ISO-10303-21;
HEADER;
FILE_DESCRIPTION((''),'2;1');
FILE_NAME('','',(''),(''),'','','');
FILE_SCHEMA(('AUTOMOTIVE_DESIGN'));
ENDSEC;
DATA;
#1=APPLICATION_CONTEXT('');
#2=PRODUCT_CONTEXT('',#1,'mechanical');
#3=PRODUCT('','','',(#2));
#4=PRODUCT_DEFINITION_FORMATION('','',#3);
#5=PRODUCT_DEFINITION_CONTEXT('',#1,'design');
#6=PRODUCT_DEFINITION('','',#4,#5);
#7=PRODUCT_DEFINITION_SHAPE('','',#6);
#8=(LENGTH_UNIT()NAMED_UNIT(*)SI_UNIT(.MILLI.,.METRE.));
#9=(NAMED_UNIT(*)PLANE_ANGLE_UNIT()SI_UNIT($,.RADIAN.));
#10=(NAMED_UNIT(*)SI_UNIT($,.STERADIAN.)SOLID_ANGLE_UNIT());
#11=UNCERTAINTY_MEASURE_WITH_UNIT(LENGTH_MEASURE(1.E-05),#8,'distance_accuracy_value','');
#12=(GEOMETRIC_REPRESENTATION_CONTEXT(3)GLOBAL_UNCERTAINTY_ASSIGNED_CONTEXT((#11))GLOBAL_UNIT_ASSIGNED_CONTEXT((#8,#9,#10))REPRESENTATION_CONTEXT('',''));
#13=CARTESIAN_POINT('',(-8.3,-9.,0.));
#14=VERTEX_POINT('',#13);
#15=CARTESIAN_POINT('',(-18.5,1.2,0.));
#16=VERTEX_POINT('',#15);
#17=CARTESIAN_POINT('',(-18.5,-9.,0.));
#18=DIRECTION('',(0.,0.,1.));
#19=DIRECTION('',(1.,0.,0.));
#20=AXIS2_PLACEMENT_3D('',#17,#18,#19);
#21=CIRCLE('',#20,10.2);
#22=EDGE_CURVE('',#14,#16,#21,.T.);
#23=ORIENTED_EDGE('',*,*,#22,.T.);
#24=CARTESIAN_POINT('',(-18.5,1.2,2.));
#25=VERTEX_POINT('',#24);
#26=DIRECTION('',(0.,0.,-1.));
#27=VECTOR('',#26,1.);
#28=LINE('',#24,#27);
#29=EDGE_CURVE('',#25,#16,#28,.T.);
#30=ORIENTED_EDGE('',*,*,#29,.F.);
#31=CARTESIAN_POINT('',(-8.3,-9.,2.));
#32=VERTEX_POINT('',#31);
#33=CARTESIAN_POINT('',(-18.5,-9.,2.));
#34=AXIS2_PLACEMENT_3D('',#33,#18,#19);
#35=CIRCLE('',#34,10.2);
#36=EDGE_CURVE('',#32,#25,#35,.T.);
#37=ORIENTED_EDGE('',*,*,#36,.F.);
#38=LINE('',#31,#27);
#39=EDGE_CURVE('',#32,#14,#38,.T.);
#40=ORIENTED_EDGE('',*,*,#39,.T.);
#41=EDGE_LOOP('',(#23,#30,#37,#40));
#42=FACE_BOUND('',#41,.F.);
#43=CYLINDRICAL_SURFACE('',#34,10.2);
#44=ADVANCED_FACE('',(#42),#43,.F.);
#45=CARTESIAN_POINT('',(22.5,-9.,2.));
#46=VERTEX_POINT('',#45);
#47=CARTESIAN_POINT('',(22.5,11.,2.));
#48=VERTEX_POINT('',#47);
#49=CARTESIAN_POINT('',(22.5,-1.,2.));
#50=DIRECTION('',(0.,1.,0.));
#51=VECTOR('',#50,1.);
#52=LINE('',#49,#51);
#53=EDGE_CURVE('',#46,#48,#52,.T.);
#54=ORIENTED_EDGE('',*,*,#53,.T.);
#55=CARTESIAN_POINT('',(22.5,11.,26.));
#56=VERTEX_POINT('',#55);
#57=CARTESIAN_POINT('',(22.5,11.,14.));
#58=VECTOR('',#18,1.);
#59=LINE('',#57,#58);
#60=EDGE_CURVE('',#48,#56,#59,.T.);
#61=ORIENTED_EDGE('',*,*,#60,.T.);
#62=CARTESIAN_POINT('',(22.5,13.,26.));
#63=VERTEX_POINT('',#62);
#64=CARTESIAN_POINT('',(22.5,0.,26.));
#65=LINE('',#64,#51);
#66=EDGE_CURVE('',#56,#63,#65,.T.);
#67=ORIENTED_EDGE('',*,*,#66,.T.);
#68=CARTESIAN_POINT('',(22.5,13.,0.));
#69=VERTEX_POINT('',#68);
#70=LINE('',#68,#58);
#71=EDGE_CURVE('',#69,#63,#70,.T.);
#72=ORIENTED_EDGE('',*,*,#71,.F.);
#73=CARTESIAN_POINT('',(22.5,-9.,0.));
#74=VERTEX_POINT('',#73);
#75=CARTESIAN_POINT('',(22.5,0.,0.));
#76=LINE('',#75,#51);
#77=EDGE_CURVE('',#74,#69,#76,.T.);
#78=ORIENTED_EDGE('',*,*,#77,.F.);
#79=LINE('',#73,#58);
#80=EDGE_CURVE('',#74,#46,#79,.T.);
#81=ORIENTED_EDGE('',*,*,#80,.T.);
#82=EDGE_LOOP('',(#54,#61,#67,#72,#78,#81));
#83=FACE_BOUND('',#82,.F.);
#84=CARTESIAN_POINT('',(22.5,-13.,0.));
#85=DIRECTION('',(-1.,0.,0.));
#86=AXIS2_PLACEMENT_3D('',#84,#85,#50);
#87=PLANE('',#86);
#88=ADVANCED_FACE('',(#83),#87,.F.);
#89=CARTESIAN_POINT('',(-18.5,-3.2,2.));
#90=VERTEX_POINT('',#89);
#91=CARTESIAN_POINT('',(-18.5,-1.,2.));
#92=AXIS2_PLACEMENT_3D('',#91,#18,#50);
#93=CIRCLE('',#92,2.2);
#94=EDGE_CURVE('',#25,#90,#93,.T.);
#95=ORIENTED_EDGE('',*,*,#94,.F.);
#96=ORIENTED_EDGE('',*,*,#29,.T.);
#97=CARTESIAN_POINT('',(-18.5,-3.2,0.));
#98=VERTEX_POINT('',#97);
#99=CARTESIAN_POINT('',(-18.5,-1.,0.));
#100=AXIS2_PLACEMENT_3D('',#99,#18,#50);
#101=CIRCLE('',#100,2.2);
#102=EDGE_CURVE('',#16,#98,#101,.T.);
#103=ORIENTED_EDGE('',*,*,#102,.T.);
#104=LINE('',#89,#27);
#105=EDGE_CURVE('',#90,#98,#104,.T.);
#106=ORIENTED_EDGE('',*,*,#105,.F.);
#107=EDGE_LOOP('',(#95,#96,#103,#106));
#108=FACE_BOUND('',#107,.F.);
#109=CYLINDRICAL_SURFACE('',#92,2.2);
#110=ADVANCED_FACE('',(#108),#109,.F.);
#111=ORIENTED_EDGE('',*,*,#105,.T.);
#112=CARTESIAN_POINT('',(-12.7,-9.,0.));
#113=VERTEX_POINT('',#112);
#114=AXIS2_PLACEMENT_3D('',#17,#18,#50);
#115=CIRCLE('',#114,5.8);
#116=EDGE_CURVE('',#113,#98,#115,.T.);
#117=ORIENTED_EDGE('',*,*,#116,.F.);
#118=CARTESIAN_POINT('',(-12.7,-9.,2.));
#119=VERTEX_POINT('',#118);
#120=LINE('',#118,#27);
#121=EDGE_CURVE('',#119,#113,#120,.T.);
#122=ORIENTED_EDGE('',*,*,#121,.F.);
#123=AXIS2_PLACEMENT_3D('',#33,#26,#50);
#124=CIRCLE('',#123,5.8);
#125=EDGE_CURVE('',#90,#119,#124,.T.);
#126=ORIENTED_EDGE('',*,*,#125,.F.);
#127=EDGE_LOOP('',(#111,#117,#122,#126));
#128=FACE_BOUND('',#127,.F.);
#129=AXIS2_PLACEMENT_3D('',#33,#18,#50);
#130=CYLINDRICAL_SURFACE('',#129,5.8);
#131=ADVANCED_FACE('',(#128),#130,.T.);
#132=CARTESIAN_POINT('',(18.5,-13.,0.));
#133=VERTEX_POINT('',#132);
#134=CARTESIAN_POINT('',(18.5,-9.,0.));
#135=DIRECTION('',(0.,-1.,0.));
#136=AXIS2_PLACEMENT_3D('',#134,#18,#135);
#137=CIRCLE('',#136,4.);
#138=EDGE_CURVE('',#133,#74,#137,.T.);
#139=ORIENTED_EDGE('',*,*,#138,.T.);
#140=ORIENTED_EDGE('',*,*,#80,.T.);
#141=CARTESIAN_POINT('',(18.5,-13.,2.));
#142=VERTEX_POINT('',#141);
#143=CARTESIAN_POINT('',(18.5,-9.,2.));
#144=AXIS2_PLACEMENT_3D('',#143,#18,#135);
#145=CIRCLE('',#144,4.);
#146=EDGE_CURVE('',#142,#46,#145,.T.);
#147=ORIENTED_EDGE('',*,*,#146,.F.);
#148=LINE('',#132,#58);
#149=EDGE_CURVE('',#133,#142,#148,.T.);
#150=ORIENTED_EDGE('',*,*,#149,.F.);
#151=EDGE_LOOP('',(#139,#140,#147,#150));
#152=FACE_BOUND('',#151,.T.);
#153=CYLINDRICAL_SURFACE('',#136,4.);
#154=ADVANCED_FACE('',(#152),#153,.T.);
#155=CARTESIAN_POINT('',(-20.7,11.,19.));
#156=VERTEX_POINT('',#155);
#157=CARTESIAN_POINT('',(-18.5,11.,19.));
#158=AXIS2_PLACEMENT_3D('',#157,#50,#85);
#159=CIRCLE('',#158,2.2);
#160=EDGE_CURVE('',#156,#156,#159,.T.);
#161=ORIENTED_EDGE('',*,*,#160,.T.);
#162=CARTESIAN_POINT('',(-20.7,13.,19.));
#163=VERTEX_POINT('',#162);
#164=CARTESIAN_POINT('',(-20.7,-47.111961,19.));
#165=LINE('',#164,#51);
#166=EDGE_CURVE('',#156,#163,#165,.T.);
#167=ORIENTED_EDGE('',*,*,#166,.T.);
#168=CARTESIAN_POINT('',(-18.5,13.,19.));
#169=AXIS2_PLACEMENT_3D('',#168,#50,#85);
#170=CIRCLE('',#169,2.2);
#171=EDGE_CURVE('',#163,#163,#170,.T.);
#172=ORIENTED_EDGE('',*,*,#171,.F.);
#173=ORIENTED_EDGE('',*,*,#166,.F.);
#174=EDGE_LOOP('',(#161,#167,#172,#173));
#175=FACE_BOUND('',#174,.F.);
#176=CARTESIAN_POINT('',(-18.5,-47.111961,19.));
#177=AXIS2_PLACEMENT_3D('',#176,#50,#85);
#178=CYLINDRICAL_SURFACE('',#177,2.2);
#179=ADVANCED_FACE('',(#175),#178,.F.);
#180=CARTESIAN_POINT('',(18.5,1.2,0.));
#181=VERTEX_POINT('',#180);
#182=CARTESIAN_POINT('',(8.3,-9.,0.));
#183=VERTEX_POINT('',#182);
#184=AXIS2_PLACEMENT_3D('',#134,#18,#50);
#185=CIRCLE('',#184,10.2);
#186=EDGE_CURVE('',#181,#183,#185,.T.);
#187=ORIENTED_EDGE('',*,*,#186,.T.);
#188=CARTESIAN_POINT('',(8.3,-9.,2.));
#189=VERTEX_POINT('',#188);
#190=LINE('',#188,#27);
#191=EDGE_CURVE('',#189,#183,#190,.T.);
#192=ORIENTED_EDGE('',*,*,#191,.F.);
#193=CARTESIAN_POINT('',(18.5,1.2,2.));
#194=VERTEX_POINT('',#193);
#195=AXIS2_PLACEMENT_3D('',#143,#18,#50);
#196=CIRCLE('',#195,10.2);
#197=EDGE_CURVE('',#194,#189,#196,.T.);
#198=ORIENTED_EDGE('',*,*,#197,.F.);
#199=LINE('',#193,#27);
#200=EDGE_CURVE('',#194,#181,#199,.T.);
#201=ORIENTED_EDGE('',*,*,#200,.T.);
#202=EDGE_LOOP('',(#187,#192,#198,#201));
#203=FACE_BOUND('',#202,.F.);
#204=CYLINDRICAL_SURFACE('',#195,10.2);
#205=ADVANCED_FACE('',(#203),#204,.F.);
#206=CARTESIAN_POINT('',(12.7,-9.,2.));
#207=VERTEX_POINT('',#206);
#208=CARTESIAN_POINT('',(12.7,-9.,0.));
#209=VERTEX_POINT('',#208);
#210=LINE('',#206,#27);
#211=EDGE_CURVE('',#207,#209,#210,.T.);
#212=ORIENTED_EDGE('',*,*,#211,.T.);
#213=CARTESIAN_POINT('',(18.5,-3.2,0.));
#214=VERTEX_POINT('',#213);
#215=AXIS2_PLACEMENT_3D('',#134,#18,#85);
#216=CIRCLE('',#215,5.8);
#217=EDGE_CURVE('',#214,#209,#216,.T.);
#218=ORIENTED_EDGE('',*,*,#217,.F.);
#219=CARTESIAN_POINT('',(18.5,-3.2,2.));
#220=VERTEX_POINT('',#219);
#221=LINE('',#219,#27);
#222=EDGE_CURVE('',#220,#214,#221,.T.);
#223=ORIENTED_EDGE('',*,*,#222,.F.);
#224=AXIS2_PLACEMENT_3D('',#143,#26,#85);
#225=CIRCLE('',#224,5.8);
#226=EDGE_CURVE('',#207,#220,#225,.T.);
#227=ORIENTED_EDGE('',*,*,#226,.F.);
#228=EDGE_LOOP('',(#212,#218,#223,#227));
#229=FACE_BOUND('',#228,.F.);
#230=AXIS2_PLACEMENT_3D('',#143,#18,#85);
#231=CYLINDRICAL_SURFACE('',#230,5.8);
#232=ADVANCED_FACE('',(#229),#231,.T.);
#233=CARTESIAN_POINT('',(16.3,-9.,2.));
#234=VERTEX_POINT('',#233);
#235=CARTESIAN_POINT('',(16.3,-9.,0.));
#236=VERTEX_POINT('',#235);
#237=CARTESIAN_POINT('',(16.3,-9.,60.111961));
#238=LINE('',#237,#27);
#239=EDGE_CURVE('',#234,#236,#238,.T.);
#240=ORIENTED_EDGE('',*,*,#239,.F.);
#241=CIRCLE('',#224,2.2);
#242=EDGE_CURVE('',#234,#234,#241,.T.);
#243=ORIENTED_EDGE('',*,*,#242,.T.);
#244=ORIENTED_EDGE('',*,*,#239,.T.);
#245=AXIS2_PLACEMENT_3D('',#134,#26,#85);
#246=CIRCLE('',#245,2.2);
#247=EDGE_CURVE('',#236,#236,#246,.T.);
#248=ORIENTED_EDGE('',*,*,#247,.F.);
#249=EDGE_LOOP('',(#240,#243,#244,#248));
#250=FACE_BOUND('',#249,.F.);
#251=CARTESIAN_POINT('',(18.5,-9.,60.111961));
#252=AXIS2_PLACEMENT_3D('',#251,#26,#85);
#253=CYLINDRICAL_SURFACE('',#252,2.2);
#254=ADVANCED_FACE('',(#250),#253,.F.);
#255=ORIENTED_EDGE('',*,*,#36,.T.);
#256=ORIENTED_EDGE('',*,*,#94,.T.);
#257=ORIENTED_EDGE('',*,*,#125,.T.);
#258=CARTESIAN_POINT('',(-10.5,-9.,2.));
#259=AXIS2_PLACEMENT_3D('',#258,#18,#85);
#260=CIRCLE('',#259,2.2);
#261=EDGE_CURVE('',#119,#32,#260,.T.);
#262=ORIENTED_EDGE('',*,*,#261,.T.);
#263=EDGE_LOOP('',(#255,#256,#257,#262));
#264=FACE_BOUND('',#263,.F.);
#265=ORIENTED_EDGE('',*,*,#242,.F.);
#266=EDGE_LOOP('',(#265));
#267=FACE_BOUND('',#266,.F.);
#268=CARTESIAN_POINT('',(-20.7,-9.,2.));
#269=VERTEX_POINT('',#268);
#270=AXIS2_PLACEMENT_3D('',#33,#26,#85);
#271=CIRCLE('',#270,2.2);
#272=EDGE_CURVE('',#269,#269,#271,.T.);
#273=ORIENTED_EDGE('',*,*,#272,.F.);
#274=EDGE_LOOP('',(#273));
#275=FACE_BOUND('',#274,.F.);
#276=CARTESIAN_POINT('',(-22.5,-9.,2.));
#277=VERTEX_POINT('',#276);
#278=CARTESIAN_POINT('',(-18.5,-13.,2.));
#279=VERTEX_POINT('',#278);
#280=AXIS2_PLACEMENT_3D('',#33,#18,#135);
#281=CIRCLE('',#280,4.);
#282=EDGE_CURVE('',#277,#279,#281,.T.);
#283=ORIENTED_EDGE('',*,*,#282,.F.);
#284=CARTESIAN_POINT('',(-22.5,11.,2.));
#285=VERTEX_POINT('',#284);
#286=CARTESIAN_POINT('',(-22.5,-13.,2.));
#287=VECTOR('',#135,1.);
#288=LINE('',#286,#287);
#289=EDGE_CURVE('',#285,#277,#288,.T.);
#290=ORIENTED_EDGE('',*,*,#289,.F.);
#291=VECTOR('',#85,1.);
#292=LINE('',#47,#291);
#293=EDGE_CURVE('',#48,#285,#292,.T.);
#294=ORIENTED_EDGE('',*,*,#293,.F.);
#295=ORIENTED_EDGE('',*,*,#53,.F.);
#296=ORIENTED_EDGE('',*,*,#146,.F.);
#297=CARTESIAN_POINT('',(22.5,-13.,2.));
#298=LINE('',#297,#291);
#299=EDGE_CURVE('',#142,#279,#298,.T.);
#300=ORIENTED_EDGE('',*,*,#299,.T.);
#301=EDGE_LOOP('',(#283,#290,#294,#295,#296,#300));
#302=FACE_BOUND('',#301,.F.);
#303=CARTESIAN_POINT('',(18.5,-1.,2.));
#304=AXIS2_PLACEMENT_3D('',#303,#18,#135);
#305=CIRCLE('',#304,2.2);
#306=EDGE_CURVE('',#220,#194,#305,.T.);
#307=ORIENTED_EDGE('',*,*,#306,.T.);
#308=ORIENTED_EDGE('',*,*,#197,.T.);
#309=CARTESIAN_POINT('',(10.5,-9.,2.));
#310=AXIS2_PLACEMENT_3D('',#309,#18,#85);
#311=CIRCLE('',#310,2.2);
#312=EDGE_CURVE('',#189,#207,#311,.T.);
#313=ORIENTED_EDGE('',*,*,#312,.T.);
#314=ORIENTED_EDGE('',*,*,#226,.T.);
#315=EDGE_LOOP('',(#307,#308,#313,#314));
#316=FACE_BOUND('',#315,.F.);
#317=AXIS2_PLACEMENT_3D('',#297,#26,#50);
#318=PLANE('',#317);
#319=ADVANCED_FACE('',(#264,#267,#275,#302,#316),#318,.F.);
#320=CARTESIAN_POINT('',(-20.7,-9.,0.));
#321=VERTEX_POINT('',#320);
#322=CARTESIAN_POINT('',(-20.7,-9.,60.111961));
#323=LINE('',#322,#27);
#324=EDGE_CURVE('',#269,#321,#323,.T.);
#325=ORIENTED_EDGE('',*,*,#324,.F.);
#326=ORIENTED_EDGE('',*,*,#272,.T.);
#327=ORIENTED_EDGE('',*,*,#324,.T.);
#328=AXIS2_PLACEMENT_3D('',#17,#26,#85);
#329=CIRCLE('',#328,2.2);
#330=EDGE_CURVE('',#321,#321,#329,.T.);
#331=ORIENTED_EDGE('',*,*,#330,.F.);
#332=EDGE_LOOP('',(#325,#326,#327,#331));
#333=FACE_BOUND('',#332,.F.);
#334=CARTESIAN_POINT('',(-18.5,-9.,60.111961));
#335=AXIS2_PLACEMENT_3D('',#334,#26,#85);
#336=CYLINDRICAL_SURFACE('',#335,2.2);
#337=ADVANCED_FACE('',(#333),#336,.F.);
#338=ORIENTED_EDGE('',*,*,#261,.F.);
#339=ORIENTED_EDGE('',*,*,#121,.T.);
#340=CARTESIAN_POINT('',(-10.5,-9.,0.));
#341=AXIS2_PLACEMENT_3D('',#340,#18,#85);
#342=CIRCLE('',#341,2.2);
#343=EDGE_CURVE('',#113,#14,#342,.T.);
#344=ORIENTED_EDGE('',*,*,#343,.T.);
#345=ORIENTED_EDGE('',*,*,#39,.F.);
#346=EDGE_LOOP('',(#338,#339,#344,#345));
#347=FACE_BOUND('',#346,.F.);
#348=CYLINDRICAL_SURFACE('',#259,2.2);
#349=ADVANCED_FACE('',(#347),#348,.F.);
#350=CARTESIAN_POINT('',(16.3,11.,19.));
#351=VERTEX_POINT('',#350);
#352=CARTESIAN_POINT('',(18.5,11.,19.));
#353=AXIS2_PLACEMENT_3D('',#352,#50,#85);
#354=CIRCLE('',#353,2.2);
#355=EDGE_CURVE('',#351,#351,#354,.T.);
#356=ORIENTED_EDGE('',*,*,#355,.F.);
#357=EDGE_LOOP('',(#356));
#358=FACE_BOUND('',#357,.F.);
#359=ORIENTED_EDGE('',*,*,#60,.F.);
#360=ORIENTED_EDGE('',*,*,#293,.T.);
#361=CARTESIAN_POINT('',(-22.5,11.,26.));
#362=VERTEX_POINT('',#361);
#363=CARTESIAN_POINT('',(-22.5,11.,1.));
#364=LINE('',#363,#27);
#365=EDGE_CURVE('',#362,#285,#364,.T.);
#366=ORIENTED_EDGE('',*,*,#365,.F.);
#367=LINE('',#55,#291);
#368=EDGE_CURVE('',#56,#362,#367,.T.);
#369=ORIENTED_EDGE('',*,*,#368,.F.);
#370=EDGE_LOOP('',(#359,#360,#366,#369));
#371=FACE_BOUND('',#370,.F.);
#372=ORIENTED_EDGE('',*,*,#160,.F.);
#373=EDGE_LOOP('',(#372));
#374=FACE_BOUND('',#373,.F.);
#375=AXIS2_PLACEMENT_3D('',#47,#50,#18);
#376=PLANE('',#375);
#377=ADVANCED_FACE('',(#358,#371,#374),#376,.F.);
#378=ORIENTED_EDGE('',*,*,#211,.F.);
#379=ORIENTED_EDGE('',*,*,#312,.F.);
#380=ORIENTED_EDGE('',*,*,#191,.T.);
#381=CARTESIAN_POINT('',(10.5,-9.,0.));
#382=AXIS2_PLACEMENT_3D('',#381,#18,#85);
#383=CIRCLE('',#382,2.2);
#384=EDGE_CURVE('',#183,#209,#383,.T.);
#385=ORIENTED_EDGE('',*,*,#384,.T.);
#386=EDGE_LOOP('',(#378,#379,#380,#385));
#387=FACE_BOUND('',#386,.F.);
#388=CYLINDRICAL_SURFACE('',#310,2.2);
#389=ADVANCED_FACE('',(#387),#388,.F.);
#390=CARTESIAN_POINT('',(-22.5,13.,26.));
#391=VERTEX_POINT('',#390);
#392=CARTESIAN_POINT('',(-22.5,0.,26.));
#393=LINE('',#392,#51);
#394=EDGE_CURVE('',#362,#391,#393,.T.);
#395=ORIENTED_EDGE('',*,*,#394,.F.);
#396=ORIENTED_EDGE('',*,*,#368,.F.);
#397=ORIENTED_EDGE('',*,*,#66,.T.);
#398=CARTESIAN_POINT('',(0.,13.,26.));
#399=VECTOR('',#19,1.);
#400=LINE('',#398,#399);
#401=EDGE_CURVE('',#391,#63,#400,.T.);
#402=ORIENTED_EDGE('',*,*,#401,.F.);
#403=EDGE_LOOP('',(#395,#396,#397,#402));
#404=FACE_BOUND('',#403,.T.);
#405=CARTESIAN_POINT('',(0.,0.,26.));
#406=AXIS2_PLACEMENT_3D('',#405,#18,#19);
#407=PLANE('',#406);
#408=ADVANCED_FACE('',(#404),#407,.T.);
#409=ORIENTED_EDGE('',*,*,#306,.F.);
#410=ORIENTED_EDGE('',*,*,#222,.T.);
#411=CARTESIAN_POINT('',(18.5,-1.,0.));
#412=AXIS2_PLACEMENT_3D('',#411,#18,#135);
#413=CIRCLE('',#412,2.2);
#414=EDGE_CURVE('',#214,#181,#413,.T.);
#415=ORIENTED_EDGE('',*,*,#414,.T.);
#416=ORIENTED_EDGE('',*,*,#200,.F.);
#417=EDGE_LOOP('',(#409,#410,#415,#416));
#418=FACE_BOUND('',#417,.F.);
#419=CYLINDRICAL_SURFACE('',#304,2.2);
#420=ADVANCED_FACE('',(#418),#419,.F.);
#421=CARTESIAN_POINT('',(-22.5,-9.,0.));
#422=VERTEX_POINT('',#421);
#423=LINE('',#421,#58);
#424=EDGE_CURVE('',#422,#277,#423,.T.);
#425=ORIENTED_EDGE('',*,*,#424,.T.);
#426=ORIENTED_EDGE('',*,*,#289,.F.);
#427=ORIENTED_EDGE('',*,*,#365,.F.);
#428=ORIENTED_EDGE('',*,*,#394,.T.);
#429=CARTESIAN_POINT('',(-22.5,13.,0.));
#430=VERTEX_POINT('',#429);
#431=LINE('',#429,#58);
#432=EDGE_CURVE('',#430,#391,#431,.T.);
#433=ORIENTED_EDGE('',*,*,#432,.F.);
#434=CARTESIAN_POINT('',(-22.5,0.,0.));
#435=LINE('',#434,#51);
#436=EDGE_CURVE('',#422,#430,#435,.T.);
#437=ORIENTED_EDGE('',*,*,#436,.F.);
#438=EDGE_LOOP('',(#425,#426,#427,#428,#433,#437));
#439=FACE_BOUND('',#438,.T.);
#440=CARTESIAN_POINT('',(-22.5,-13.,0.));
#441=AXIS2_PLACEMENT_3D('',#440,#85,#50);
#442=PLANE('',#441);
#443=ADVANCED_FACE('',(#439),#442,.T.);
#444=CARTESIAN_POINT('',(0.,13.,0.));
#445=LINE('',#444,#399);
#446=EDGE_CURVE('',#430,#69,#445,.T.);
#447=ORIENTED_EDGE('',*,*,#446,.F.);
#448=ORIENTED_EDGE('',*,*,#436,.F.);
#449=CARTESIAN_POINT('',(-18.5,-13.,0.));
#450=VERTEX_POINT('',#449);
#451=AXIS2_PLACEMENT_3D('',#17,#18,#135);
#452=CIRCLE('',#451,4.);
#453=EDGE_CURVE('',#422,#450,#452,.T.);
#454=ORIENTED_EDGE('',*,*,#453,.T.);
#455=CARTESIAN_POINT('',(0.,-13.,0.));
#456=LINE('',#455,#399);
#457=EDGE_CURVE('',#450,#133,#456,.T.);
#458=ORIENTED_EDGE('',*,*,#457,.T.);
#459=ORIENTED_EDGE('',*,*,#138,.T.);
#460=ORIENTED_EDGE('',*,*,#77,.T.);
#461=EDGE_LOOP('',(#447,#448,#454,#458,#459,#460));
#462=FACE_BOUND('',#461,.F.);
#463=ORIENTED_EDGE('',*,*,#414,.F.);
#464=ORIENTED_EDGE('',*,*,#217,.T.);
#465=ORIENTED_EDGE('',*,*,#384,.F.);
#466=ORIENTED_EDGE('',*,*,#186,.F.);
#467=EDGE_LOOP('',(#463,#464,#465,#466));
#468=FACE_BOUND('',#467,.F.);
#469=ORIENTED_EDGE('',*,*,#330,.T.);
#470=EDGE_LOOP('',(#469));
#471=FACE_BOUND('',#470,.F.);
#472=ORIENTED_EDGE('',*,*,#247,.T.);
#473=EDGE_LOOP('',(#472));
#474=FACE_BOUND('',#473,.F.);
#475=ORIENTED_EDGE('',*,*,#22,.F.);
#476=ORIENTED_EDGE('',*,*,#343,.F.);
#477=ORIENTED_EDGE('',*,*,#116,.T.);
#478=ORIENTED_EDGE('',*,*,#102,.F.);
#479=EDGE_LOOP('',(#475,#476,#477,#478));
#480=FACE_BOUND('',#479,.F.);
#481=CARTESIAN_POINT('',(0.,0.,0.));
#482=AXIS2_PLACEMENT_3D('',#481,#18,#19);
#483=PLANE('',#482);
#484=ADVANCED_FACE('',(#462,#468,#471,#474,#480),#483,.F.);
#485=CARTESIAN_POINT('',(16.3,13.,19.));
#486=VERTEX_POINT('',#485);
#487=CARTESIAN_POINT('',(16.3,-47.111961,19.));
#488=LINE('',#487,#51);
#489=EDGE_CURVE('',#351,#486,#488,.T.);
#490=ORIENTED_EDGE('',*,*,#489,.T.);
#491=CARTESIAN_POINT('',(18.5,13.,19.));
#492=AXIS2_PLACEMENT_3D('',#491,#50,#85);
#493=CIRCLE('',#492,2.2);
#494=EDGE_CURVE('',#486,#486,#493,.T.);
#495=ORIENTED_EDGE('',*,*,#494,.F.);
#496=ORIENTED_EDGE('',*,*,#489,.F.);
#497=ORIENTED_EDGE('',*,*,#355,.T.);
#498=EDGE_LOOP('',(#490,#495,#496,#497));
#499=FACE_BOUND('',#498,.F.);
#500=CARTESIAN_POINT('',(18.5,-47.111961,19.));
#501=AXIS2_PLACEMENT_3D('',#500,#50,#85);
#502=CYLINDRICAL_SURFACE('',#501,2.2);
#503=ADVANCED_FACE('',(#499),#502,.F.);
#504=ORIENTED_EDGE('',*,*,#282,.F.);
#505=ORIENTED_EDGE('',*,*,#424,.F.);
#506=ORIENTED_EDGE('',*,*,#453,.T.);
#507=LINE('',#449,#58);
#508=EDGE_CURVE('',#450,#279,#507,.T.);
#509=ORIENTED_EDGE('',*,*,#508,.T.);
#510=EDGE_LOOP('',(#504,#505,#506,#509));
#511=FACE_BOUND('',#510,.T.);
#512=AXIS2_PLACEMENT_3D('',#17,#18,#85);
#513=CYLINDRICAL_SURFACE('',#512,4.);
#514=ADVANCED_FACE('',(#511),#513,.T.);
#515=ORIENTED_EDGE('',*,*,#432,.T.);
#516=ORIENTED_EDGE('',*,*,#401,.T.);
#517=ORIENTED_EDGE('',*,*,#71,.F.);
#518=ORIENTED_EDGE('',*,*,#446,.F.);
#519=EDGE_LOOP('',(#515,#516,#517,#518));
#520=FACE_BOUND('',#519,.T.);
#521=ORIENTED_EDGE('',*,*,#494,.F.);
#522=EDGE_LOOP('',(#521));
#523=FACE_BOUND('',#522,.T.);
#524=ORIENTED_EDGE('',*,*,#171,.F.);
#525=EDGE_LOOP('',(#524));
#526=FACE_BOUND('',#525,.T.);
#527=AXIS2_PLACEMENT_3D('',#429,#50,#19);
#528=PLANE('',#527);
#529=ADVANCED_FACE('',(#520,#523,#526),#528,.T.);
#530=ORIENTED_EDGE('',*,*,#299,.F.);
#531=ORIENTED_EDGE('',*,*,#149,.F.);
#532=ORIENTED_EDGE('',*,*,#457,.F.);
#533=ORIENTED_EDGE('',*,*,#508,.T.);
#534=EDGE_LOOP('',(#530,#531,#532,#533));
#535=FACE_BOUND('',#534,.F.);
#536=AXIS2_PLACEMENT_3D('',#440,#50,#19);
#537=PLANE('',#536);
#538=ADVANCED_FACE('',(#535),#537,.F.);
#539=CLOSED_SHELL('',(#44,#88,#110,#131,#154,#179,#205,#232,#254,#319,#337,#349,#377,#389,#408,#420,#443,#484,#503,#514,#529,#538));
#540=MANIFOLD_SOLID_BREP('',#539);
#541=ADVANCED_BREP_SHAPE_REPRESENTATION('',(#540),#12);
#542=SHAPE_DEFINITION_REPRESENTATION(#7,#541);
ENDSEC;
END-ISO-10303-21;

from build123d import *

# Parameters (mm, degrees)
F0_W     = 45
F0_H     = 26
F1_DEPTH = 26
F2_W     = 24
F2_H     = 24
F3_DEPTH = 45.001
F5_D     = 4.4
F7_D     = 4.4
F9_DEPTH = 2.001
F10_R    = 4


with BuildPart() as f1:
    # F0 (on Top) → F1 (new body)
    with BuildSketch(Plane.XY):
        Rectangle(F0_W, F0_H)
    extrude(amount=F1_DEPTH)

    # F2 (on face) → F3 (cut, through all)
    with BuildSketch(Plane.YZ.offset(22.5)):
        with Locations((-1, 14)):
            Rectangle(F2_W, F2_H)
    extrude(amount=-F3_DEPTH, mode=Mode.SUBTRACT)

    # F5 (through all)
    with Locations(Plane.XY.offset(2)):
        with Locations((-18.5, -9), (18.5, -9)):
            Hole(F5_D / 2)

    # F7 (through all)
    with Locations(Plane.XZ.offset(-11)):
        with Locations((-18.5, 19), (18.5, 19)):
            Hole(F7_D / 2)

    # F8 (on face) → F9 (cut, through all)
    with BuildSketch(Plane.XY.offset(2)):
        with BuildLine():
            ThreePointArc((-12.7, -9), (-10.5, -11.2), (-8.3, -9))
            ThreePointArc((-8.3, -9), (-11.2875108319, -1.7875108319), (-18.5, 1.2))
            ThreePointArc((-18.5, 1.2), (-20.7, -1), (-18.5, -3.2))
            ThreePointArc((-18.5, -3.2), (-14.3987806691, -4.8987806691), (-12.7, -9))
        make_face()
        with BuildLine():
            ThreePointArc((18.5, 1.2), (11.2875108319, -1.7875108319), (8.3, -9))
            ThreePointArc((8.3, -9), (10.5, -11.2), (12.7, -9))
            ThreePointArc((12.7, -9), (14.3987806691, -4.8987806691), (18.5, -3.2))
            ThreePointArc((18.5, -3.2), (20.7, -1), (18.5, 1.2))
        make_face()
    extrude(amount=-F9_DEPTH, mode=Mode.SUBTRACT)

    # F10
    f10_edges = [f1.edges().sort_by_distance(p)[0] for p in [
        (-22.5, -13, 1),
        (22.5, -13, 1),
    ]]
    fillet(f10_edges, radius=F10_R)


solid = f1.part
